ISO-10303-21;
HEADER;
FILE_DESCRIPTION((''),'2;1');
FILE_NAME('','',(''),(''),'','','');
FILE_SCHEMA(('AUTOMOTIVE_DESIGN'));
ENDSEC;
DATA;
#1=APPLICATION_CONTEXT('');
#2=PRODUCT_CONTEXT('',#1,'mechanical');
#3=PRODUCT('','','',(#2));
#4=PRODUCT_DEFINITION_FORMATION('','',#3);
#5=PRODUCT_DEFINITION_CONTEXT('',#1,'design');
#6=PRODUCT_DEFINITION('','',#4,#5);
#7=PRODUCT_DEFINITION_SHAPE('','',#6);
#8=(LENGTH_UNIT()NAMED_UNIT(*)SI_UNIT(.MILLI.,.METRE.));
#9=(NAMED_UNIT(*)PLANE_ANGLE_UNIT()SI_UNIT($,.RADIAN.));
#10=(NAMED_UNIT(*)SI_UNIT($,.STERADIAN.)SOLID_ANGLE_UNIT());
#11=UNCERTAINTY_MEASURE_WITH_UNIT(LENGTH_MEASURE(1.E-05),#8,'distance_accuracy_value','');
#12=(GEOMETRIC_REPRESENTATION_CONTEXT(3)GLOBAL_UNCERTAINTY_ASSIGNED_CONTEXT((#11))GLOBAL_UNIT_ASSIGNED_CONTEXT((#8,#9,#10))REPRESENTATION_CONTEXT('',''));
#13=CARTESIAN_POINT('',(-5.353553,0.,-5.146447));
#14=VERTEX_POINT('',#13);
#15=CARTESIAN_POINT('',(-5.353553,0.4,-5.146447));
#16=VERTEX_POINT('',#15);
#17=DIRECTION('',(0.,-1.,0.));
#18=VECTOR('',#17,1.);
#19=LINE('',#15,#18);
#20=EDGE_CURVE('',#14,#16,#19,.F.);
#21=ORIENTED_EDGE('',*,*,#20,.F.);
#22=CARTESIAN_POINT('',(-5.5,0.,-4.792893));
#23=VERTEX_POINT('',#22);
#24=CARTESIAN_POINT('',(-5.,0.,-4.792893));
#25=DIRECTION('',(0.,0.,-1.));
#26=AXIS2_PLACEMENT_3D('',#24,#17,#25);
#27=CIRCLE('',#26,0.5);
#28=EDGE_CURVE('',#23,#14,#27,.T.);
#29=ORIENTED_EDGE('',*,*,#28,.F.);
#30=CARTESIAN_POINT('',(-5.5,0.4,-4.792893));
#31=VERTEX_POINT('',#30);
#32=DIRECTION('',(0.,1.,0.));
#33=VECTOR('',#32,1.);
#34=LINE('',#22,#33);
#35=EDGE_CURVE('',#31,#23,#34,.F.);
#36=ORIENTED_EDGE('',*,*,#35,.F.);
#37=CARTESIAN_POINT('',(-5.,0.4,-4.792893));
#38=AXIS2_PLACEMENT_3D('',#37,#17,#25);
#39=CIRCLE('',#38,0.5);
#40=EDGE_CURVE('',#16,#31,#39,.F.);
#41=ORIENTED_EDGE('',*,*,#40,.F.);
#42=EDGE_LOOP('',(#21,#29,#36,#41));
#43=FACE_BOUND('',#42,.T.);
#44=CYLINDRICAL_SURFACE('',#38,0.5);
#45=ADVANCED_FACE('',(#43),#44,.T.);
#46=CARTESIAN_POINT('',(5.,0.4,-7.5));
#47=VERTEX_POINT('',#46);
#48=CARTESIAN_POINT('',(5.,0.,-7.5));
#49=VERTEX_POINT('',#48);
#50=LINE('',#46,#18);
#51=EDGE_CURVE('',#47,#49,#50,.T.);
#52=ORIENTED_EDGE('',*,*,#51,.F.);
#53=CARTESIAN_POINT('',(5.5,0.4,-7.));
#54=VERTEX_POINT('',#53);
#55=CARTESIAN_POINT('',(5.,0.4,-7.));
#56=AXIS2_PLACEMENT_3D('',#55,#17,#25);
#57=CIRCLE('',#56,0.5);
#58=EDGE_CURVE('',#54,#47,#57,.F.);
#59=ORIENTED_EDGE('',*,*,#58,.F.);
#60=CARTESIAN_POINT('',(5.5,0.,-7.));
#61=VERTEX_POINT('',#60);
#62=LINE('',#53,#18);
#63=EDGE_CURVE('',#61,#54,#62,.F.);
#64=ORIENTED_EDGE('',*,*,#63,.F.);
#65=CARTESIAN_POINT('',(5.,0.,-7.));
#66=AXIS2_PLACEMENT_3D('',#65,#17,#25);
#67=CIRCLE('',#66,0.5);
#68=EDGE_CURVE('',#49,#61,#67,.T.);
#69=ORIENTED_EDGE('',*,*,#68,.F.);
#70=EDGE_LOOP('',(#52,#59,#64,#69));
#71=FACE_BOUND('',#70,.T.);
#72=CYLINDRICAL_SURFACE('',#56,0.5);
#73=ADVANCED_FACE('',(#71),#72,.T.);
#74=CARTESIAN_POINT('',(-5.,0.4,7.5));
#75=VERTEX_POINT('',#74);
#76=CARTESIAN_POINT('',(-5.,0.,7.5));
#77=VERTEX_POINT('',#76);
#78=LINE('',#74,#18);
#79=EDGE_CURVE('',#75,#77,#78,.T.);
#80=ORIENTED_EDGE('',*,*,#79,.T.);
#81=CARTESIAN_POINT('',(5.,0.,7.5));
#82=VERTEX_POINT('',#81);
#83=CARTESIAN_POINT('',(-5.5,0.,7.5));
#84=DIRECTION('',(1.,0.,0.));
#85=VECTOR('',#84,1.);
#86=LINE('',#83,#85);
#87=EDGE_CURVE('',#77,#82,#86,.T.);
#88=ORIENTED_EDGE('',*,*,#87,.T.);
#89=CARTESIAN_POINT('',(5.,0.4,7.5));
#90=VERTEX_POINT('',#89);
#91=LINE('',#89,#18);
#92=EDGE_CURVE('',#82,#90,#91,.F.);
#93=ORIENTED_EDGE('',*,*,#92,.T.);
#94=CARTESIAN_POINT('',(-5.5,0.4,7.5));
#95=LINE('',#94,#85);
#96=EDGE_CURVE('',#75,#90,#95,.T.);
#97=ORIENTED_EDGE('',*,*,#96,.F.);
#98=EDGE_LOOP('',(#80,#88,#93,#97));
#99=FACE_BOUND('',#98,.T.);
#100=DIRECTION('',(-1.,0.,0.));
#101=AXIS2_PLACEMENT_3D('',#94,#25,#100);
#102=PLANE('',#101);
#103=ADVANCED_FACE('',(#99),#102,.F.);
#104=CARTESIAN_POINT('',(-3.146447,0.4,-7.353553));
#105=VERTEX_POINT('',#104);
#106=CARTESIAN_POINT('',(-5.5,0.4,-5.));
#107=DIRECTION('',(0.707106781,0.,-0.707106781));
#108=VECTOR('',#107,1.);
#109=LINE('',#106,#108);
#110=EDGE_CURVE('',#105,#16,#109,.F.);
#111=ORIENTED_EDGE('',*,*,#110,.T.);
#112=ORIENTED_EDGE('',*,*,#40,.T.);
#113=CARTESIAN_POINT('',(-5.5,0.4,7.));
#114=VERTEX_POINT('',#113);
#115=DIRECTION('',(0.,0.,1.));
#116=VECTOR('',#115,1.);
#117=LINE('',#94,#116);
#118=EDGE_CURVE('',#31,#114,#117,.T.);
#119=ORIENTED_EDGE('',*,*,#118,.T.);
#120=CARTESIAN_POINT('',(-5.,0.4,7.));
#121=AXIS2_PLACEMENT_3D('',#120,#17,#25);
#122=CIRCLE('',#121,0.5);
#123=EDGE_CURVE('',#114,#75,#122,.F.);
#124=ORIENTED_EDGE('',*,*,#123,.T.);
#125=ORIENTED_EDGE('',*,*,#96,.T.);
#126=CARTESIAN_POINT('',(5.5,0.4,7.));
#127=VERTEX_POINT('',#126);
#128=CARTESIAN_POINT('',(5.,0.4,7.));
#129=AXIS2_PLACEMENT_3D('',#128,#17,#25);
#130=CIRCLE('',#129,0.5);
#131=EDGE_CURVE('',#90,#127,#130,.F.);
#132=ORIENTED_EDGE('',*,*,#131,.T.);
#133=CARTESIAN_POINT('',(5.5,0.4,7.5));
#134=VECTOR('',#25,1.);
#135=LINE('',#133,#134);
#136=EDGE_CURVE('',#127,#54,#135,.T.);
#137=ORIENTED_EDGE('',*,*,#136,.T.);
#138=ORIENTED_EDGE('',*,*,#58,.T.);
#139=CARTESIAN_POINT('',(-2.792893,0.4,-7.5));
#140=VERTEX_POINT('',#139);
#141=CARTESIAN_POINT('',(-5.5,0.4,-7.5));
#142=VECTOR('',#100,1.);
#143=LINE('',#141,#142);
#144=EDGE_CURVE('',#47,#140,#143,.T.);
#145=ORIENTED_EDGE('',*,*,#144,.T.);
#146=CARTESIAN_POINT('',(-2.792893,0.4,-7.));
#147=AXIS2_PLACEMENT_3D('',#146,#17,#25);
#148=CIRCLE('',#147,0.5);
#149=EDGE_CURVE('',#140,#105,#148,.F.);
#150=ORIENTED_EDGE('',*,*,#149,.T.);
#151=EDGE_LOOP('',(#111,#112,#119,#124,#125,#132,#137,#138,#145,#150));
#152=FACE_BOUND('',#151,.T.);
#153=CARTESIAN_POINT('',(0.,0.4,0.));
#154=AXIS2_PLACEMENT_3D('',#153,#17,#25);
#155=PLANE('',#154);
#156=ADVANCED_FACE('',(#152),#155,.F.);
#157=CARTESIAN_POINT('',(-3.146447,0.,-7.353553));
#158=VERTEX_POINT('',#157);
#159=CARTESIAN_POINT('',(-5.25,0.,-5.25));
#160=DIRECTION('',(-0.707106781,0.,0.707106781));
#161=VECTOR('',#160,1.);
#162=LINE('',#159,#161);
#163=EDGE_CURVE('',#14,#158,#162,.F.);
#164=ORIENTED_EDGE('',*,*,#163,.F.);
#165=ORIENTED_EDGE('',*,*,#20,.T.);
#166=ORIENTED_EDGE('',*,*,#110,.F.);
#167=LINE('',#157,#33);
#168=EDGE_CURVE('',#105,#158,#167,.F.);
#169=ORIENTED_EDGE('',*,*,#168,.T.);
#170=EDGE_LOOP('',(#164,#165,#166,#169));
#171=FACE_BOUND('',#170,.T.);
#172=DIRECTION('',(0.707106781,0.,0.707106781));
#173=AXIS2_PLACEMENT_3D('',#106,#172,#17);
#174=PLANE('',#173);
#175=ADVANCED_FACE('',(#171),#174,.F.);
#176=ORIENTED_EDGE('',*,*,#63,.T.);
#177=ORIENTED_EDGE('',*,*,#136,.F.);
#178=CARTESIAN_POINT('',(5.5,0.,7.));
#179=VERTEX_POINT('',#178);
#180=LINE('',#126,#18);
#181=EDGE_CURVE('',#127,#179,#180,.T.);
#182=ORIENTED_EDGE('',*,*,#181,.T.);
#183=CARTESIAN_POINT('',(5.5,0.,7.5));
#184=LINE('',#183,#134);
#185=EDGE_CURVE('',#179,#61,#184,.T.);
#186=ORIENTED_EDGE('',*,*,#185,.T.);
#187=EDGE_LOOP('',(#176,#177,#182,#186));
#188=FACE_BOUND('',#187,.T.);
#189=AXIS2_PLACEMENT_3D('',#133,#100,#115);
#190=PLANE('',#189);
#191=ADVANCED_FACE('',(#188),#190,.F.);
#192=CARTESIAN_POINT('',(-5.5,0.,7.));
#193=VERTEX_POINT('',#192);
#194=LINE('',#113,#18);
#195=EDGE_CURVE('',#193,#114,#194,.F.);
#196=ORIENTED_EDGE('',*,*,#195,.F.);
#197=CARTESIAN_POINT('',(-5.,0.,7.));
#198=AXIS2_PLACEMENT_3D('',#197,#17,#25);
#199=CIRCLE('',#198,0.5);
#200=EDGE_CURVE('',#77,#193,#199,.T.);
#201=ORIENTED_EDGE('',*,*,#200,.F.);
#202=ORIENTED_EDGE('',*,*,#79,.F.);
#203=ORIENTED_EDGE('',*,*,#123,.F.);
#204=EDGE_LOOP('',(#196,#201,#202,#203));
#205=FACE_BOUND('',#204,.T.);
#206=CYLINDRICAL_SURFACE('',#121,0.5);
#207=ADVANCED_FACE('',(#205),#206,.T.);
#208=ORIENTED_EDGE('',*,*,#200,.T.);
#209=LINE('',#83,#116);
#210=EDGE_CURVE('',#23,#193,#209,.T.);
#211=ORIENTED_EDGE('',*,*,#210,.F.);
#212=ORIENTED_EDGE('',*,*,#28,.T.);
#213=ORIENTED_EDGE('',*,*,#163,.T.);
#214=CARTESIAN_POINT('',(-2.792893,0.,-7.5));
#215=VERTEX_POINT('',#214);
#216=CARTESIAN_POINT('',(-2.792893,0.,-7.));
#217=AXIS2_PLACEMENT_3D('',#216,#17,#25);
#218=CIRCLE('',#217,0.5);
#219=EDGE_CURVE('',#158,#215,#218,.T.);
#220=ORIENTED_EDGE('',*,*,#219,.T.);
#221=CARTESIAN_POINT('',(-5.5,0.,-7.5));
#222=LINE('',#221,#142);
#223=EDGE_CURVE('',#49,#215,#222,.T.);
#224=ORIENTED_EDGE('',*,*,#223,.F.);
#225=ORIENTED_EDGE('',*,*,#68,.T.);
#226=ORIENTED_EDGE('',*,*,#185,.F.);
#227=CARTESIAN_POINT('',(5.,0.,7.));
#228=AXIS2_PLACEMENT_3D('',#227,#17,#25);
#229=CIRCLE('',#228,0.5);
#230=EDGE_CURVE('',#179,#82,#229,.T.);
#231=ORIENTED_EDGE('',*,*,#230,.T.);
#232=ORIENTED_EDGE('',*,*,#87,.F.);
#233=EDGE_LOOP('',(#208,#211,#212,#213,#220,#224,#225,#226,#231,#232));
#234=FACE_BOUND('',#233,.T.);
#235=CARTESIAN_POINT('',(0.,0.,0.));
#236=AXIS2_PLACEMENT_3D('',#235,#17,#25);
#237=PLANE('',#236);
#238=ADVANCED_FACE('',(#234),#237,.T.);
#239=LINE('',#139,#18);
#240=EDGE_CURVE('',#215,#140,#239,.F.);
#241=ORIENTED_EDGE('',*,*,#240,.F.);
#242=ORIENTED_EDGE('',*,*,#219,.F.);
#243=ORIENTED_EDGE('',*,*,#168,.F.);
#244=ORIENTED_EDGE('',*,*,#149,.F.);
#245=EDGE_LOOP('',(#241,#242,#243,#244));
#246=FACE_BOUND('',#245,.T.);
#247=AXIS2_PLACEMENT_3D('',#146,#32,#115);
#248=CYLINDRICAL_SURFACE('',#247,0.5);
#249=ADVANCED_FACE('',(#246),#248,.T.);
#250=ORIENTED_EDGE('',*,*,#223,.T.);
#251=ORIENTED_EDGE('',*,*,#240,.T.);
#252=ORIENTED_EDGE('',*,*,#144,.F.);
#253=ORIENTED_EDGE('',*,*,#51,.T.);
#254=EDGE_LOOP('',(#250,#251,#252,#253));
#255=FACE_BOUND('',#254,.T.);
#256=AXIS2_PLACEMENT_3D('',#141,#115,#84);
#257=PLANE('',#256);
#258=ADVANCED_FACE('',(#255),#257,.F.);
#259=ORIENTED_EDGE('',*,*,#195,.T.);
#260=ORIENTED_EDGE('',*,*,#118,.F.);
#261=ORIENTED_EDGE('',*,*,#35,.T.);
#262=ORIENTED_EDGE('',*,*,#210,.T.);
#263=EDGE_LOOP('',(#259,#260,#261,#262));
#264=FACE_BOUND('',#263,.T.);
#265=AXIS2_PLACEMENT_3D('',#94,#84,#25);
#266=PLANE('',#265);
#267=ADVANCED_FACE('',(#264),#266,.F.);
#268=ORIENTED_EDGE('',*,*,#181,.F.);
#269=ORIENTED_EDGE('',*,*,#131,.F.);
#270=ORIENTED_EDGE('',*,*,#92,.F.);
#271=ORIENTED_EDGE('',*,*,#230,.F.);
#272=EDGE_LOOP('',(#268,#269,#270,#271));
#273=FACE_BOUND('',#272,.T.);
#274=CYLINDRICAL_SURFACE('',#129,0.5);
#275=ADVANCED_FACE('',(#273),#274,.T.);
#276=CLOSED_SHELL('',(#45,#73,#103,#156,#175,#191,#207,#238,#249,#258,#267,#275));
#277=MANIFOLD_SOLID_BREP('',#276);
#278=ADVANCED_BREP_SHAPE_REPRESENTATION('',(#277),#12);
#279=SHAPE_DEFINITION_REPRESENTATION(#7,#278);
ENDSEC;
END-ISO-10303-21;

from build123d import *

# Parameters (mm, degrees)
SKETCH1_W           = 11
SKETCH1_H           = 15
BOSS_EXTRUDE1_DEPTH = 0.4
CHAMFER1_SIZE       = 2.5
FILLET1_R           = 0.5


with BuildPart() as part:
    # Sketch1 → Boss-Extrude1 (new body)
    with BuildSketch(Plane(origin=(0, 0, 0), x_dir=(1, 0, 0), z_dir=(0, 1, 0))):
        Rectangle(SKETCH1_W, SKETCH1_H)
    extrude(amount=BOSS_EXTRUDE1_DEPTH)

    # Chamfer1
    chamfer1_edges = [part.edges().sort_by_distance(p)[0] for p in [
        (-5.5, 0.2, -7.5),
    ]]
    chamfer(chamfer1_edges, length=CHAMFER1_SIZE)

    # Fillet1
    fillet1_edges = [part.edges().sort_by_distance(p)[0] for p in [
        (-5.5, 0.2, -5),
        (-3, 0.2, -7.5),
        (5.5, 0.2, 7.5),
        (-5.5, 0.2, 7.5),
        (5.5, 0.2, -7.5),
    ]]
    fillet(fillet1_edges, radius=FILLET1_R)


solid = part.part
